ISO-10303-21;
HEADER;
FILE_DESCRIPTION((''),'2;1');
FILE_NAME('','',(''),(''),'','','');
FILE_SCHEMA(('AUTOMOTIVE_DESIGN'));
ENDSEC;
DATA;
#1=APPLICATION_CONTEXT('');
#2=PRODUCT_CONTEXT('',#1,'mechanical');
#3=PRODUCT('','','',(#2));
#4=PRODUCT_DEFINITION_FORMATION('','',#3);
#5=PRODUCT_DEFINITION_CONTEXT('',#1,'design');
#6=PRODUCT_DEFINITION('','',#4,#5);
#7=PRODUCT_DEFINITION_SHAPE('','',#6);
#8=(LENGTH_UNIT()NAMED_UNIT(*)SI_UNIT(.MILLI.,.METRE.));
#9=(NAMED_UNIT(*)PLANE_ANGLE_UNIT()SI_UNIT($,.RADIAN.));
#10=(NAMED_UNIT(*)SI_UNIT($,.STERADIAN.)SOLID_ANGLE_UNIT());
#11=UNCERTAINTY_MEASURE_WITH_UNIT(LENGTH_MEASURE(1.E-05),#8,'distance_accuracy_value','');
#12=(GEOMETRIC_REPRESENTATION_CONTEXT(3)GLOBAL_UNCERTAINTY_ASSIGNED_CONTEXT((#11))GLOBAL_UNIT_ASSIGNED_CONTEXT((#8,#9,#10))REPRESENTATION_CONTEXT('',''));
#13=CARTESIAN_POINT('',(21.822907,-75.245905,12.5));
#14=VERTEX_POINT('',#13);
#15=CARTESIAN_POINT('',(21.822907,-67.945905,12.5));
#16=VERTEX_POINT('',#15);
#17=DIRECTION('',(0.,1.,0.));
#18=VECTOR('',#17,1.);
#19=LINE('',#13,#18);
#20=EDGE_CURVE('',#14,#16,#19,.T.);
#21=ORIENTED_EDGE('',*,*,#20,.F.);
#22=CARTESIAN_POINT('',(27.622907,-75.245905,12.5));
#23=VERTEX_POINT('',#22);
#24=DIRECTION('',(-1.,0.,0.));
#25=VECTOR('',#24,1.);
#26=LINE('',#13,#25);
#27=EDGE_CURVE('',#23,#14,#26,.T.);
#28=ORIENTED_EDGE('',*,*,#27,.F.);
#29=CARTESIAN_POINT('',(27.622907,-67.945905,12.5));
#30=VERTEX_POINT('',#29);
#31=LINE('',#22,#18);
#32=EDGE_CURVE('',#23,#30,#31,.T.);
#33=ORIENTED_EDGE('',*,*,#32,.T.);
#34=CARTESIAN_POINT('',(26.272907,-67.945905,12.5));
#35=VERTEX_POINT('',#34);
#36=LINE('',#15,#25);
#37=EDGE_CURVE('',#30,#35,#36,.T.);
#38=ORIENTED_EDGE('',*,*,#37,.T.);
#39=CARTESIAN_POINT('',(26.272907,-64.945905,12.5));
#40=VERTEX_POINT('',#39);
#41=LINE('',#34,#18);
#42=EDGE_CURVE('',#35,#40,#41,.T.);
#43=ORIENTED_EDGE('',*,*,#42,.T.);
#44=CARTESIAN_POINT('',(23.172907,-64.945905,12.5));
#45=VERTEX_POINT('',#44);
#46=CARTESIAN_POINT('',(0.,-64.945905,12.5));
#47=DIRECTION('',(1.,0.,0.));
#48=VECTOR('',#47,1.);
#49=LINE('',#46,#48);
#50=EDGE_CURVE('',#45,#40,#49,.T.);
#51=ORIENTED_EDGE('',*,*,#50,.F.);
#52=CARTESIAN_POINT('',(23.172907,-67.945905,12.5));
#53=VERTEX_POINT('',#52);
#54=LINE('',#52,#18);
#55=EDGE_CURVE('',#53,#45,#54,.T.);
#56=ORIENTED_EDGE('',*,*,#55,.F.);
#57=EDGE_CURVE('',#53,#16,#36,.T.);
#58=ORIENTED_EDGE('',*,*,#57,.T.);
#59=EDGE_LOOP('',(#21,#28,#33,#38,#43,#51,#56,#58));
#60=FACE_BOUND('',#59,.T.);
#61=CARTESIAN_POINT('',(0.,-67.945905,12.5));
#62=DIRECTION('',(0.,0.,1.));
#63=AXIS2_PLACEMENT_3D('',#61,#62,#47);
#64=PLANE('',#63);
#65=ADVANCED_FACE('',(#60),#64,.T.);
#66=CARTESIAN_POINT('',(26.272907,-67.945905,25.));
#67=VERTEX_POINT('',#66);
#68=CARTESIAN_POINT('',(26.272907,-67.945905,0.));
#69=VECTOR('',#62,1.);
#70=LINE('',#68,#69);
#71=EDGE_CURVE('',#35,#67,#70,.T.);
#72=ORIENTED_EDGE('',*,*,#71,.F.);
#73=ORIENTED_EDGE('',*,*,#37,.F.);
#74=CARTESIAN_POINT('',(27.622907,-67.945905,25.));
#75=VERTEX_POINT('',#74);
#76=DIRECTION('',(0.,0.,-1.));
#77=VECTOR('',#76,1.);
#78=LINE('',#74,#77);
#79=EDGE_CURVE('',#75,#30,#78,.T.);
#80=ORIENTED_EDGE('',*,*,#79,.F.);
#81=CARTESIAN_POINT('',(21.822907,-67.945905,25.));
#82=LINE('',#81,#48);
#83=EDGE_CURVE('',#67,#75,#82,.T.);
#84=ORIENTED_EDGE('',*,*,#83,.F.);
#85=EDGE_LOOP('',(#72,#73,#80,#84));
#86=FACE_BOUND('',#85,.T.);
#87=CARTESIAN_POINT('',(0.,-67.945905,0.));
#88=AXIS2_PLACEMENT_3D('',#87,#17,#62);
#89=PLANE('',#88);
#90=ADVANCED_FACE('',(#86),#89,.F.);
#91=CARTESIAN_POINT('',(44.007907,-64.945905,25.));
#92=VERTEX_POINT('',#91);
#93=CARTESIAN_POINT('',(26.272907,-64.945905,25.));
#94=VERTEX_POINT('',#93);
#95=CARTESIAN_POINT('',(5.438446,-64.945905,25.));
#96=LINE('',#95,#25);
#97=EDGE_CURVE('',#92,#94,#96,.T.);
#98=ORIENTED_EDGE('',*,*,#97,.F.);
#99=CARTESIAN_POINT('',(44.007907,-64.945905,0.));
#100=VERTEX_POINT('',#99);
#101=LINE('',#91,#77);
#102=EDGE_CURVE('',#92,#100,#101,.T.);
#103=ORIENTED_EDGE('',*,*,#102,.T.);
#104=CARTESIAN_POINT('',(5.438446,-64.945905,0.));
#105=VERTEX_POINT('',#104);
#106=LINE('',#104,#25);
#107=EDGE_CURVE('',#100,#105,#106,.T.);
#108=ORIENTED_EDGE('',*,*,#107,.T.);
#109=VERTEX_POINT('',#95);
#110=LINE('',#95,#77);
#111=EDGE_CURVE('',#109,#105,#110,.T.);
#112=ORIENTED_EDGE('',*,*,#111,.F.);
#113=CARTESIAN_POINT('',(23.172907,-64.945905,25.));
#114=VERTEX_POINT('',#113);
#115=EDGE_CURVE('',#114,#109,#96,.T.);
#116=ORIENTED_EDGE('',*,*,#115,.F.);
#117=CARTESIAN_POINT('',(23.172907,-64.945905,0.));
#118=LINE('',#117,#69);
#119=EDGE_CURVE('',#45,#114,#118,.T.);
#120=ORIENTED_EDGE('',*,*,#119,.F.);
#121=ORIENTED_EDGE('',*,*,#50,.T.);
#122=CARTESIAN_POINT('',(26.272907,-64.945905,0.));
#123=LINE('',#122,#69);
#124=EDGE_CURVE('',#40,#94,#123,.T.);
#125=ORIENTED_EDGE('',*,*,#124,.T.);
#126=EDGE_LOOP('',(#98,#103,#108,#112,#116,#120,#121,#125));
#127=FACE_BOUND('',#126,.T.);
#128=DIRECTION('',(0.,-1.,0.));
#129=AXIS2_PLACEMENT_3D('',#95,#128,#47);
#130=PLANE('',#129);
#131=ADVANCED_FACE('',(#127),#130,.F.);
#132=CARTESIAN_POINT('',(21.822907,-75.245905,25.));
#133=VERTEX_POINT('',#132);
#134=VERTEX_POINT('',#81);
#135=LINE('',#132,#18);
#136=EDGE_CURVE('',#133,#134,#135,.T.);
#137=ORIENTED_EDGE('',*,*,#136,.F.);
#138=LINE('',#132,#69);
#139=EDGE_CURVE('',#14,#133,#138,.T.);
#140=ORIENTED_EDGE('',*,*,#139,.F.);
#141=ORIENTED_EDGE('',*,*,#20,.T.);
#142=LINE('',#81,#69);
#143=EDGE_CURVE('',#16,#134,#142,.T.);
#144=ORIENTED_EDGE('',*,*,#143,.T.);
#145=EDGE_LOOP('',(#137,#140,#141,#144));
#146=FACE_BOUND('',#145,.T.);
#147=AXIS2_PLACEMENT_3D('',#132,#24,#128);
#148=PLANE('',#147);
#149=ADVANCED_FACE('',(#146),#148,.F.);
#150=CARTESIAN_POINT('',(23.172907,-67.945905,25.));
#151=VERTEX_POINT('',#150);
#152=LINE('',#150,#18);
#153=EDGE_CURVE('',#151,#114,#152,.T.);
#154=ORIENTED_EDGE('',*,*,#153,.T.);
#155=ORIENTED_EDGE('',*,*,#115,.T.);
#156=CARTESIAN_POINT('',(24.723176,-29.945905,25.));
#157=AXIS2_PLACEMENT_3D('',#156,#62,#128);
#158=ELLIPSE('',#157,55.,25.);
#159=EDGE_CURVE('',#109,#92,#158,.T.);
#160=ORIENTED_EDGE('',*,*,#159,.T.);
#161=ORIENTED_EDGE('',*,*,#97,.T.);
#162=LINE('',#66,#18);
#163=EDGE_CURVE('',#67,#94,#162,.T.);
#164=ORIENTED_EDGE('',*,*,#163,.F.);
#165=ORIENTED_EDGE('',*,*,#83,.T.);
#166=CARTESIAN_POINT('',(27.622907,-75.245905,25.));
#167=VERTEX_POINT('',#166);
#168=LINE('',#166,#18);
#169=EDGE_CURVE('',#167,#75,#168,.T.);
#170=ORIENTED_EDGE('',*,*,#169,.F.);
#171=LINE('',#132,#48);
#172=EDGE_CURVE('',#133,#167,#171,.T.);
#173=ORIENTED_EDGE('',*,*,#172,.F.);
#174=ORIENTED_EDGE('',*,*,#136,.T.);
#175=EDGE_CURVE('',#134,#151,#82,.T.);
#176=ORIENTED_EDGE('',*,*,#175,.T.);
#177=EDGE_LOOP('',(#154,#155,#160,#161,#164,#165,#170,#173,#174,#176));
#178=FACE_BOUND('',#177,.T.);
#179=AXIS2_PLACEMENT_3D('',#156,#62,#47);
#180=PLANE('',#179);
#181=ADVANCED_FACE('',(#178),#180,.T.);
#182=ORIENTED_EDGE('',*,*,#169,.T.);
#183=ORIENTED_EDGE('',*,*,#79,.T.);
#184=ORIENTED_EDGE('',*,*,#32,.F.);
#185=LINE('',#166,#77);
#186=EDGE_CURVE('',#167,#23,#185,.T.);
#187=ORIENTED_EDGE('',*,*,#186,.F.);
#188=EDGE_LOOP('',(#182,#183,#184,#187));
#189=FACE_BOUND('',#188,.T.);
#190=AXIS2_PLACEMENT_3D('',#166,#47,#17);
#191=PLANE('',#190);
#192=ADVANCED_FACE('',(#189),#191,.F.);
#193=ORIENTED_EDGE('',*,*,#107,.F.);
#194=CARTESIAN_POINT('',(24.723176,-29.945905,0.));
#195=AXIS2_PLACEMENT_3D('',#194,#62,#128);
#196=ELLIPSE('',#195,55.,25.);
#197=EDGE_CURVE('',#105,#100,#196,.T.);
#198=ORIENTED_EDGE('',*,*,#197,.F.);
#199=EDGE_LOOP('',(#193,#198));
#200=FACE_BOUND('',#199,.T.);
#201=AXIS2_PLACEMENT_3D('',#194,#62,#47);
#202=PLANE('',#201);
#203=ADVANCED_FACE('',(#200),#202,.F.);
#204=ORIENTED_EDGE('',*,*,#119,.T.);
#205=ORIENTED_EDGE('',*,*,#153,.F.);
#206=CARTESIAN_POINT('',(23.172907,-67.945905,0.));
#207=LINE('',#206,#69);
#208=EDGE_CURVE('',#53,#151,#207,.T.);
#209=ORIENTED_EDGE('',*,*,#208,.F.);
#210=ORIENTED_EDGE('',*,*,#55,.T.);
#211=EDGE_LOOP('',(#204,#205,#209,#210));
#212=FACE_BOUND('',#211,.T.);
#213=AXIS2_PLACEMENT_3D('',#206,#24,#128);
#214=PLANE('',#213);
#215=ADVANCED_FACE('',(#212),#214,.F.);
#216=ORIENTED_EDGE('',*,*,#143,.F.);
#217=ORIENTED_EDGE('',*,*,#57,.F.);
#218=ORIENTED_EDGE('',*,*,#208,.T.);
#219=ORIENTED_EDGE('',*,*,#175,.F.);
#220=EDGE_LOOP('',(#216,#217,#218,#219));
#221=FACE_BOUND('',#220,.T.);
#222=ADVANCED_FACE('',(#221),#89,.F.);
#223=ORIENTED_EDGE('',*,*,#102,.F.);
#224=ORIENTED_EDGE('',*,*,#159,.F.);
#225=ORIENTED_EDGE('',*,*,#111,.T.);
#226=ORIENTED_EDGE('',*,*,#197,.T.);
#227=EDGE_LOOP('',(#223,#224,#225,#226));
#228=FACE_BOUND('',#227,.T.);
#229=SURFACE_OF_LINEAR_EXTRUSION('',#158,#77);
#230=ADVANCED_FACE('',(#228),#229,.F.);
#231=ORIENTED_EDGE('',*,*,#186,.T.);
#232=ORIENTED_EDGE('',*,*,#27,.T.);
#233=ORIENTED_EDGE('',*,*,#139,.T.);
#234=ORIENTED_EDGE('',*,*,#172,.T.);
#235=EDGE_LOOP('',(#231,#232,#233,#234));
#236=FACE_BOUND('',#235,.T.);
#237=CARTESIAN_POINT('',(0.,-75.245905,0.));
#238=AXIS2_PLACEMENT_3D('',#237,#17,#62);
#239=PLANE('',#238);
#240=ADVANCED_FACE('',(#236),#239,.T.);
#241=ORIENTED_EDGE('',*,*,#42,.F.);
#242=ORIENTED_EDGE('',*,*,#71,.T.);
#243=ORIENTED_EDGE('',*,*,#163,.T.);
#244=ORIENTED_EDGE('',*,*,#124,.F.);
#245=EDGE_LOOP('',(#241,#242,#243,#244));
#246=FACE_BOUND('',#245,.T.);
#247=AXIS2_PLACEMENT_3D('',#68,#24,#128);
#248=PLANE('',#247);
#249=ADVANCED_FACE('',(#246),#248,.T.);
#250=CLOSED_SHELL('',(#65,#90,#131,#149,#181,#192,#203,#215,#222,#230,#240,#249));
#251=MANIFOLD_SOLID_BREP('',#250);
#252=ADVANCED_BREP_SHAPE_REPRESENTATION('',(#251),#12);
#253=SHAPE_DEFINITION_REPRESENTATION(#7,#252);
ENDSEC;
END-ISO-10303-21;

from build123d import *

# Parameters (mm, degrees)
SALIENTE_EXTRUIR6_DEPTH = 25
CROQUIS10_W             = 3.1
CROQUIS10_H             = 12.5
CORTAR_EXTRUIR1_DEPTH   = 3
CROQUIS14_W             = 5.8
CROQUIS14_H             = 12.5
CORTAR_EXTRUIR3_DEPTH   = 7.3


with BuildPart() as part:
    # Croquis9 → Saliente-Extruir6 (new body)
    with BuildSketch(Plane.XY):
        with BuildLine():
            Line((5.43844596, -64.945905041), (44.007906752, -64.945905041))
            add(Edge.make_bspline(
                [(5.43844596, -64.945905041), (24.723176356, -116.374476469), (44.007906752, -64.945905041)],
                knots=[5.402163981, 5.402163981, 5.402163981, 7.164206633, 7.164206633, 7.164206633], degree=2, weights=[1, 0.636363636, 1]))
        make_face()
    extrude(amount=SALIENTE_EXTRUIR6_DEPTH)

    # Croquis10 → Cortar-Extruir1 (cut)
    with BuildSketch(Plane(origin=(0, -64.945905041, 0), x_dir=(1, 0, 0), z_dir=(0, 1, 0))):
        with Locations((24.722906752, -18.75)):
            Rectangle(CROQUIS10_W, CROQUIS10_H)
    extrude(amount=-CORTAR_EXTRUIR1_DEPTH, mode=Mode.SUBTRACT)

    # Croquis14 → Cortar-Extruir3 (cut)
    with BuildSketch(Plane(origin=(0, -67.945905041, 0), x_dir=(1, 0, 0), z_dir=(0, 1, 0))):
        with Locations((24.722906752, -18.75)):
            Rectangle(CROQUIS14_W, CROQUIS14_H)
    extrude(amount=-CORTAR_EXTRUIR3_DEPTH, mode=Mode.SUBTRACT)


solid = part.part
